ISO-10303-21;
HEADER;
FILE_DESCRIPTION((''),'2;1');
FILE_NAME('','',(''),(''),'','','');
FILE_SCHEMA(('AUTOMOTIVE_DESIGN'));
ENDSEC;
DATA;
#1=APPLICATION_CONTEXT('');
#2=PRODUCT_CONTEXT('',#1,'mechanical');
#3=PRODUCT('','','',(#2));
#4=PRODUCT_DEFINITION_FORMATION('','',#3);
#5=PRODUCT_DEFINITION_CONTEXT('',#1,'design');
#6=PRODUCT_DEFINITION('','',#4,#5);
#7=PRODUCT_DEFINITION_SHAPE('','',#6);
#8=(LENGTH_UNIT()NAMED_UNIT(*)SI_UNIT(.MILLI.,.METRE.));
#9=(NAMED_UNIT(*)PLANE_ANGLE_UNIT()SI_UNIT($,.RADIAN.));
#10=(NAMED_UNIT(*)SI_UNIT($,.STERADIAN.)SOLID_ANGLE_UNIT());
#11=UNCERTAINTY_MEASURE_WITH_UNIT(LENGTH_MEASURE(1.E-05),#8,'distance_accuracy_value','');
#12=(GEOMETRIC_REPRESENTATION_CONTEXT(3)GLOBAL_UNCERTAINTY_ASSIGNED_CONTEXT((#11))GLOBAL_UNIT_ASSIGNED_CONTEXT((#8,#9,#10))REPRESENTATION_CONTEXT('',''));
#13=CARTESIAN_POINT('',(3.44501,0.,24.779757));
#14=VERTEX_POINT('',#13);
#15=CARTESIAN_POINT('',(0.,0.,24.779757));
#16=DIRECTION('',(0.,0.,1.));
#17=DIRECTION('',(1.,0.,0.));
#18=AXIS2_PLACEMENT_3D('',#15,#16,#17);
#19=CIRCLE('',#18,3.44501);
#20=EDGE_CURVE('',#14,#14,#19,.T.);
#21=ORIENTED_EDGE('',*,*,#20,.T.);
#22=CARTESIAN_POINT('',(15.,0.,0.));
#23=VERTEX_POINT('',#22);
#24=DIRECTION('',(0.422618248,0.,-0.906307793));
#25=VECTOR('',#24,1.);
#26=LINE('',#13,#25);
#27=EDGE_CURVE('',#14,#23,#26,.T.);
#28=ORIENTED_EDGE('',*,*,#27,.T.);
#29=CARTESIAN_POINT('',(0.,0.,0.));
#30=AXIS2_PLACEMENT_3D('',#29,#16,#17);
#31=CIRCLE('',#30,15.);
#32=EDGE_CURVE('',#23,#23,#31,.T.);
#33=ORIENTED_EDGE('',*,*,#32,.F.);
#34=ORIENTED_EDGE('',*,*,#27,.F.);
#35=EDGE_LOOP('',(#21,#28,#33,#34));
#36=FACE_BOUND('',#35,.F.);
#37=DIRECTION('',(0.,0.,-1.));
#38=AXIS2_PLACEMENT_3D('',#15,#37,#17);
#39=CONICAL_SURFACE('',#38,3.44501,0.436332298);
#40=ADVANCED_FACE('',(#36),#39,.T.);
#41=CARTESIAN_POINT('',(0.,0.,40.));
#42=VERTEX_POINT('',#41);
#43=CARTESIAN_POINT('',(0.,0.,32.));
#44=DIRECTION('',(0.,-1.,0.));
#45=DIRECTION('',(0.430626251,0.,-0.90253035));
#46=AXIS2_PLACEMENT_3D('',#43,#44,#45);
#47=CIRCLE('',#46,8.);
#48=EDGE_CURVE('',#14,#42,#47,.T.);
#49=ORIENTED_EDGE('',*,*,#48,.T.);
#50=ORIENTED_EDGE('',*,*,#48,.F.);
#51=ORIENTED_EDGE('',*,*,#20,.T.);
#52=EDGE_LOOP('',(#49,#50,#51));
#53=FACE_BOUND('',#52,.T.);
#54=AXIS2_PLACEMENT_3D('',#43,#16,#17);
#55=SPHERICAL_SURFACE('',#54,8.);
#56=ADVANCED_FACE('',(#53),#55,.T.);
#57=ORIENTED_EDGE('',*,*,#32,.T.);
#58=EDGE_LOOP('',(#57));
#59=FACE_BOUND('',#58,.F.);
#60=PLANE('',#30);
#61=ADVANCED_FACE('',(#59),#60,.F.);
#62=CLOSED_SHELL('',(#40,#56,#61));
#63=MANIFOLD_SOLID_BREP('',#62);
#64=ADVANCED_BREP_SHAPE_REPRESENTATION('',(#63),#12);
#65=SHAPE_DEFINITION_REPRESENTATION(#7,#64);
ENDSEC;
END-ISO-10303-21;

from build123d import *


with BuildPart() as part:
    # Sketch → Revolution (revolve)
    with BuildSketch(Plane.XZ):
        with BuildLine():
            ThreePointArc((3.44501, 24.779757), (7.802626, 33.766077), (0, 40))
            Line((0, 0), (0, 40))
            Line((15, 0), (0, 0))
            Line((3.44501, 24.779757), (15, 0))
        make_face()
    revolve(axis=Axis((0, 0, 0), (0, 0, 1)))


solid = part.part
